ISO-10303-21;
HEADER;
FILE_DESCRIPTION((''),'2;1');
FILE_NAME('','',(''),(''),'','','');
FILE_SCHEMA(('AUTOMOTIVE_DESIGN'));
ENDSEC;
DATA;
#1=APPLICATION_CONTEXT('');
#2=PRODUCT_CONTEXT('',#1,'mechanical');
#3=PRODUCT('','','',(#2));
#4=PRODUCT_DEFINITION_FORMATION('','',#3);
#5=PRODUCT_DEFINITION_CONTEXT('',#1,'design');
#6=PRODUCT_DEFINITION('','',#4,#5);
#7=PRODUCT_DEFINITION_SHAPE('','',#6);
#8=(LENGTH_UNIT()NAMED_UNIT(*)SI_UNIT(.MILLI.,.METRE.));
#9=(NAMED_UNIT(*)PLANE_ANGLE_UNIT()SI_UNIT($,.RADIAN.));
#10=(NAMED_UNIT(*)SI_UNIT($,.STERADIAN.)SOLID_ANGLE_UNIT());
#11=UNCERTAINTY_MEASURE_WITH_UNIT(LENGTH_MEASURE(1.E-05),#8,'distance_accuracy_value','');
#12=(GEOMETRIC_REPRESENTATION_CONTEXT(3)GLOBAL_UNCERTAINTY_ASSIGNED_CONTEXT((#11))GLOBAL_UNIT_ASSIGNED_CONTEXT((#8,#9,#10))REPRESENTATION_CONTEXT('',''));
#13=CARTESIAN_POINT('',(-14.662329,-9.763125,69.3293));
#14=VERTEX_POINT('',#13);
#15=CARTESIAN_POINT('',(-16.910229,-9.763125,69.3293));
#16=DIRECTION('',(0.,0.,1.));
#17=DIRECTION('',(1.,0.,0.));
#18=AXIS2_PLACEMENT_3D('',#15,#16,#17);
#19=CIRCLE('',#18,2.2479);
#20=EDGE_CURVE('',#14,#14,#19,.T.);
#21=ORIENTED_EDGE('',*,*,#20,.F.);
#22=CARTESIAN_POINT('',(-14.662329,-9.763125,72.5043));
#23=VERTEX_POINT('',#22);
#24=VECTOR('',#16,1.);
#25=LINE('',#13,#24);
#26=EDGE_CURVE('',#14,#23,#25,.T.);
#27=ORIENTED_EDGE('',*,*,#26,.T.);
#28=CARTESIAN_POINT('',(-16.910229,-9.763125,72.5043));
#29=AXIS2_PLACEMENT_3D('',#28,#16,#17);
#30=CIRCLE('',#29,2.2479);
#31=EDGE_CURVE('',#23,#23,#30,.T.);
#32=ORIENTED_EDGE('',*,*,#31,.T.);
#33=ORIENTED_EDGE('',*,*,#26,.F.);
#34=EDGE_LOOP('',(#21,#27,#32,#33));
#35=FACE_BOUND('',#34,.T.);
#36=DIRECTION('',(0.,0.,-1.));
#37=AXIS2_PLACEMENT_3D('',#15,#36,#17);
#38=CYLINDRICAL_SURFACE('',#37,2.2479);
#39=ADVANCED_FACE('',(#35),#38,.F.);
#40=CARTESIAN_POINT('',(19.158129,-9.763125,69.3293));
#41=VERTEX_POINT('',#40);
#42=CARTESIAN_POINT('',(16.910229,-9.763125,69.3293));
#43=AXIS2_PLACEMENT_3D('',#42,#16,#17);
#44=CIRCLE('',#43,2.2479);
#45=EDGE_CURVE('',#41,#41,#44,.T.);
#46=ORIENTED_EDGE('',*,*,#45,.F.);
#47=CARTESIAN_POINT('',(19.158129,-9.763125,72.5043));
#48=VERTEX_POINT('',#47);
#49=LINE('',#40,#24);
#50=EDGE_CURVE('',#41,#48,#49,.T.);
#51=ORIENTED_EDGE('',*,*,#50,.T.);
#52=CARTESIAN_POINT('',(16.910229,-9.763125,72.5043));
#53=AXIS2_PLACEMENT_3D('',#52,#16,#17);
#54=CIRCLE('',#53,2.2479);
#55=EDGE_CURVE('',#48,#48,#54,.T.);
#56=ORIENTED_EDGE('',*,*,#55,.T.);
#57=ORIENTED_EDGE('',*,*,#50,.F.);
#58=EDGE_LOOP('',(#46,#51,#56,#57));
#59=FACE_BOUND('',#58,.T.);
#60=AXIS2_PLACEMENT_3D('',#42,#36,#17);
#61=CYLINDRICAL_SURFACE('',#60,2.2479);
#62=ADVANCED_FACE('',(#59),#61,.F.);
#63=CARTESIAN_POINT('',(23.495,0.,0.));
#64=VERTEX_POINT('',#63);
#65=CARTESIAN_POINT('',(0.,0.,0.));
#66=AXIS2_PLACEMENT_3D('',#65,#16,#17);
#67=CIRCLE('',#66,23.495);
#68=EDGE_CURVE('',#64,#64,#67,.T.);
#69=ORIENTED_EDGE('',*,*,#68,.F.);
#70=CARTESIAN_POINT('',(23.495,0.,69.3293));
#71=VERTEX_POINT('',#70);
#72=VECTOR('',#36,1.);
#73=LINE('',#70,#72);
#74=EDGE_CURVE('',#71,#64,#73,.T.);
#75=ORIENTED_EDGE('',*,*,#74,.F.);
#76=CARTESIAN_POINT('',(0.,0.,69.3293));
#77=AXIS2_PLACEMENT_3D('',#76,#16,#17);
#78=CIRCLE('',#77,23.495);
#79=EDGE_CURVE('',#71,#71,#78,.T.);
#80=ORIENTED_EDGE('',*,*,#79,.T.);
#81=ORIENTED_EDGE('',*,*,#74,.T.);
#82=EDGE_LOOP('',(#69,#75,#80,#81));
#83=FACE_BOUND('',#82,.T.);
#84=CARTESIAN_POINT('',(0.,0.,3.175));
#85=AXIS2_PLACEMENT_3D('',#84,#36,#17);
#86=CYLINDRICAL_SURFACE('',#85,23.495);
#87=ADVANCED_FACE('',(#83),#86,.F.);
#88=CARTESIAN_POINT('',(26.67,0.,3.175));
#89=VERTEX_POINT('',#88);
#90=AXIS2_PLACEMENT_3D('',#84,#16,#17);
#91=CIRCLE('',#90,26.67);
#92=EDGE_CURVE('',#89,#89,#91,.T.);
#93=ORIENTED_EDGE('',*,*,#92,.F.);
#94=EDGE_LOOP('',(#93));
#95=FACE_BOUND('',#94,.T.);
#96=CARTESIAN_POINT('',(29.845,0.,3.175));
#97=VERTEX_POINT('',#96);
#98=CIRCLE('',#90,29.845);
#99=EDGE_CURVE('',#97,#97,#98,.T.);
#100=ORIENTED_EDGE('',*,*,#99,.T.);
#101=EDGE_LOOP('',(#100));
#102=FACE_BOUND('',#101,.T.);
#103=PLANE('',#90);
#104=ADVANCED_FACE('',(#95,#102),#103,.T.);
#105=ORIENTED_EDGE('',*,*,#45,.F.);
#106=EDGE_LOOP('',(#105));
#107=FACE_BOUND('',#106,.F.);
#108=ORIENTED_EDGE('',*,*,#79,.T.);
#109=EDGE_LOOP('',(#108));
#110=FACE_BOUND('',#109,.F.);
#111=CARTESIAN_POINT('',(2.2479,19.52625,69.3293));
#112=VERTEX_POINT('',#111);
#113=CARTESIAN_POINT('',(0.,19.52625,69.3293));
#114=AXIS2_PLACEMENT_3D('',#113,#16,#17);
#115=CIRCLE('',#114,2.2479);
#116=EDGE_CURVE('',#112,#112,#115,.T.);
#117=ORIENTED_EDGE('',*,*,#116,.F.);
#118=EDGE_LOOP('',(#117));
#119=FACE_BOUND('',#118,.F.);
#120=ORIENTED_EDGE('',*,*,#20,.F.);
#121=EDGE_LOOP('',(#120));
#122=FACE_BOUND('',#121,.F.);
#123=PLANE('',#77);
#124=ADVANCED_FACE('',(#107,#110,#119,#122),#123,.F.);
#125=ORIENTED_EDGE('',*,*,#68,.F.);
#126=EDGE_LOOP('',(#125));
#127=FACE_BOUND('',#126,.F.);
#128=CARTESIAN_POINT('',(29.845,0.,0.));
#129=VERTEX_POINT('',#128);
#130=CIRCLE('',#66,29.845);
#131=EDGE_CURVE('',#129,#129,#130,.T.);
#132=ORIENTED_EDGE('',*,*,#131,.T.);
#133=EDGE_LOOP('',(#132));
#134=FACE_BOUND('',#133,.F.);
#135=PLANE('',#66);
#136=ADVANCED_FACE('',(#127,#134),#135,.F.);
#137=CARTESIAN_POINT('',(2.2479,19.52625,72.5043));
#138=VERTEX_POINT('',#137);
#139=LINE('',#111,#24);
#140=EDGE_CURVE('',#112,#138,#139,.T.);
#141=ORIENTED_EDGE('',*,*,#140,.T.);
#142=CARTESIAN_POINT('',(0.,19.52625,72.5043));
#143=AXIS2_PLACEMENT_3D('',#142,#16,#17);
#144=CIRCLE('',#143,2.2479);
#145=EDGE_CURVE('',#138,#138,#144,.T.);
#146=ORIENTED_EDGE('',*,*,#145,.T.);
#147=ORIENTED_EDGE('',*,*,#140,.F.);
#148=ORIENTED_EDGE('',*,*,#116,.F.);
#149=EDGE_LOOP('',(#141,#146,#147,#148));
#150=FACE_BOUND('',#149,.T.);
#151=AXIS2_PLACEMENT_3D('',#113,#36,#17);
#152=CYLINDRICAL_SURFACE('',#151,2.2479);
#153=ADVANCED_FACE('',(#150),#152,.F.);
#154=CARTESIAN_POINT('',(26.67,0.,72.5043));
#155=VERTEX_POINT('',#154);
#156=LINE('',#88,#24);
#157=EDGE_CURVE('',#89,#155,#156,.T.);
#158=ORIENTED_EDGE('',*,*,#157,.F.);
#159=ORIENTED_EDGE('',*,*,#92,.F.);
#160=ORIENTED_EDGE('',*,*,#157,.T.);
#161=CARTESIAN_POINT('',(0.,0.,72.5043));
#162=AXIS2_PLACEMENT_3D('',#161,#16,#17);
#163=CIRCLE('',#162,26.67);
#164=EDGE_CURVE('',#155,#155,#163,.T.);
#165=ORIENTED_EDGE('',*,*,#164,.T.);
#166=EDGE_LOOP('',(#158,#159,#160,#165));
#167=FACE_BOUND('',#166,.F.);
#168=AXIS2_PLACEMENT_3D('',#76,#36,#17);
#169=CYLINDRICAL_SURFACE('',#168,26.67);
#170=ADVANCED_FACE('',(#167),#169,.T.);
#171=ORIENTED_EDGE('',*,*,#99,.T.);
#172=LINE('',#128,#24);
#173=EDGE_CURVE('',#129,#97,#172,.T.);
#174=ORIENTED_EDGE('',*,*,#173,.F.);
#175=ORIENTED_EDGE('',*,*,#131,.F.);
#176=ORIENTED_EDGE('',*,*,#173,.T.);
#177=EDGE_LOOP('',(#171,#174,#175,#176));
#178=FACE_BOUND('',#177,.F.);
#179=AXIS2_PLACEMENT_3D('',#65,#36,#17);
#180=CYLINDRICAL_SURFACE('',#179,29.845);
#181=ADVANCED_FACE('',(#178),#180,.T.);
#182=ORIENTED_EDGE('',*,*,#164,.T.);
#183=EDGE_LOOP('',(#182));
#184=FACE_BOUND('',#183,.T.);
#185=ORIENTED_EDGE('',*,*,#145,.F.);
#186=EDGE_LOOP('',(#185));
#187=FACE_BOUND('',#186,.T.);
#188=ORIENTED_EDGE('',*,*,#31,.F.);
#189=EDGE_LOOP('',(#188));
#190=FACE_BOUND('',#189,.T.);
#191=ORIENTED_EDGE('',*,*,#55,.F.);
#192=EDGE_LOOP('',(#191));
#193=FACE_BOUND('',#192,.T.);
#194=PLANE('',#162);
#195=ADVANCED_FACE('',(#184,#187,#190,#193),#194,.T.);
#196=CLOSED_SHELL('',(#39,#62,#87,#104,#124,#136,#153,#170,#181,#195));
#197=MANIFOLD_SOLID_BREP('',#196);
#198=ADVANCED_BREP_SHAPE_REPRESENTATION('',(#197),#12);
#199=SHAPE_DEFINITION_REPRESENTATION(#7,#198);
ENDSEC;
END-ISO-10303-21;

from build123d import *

# Parameters (mm, degrees)
F0_R     = 29.845
F0_R_2   = 23.495
F1_DEPTH = 3.175
F2_R     = 26.67
F2_R_2   = 23.495
F3_DEPTH = 66.1543
F4_R     = 26.67
F4_R_2   = 2.2479
F5_DEPTH = 3.175


with BuildPart() as f1:
    # F0 (on Top) → F1 (new body)
    with BuildSketch(Plane.XY):
        Circle(F0_R)
        Circle(F0_R_2, mode=Mode.SUBTRACT)
    extrude(amount=F1_DEPTH)

    # F2 (on face) → F3 (join)
    with BuildSketch(Plane.XY.offset(3.175)):
        Circle(F2_R)
        Circle(F2_R_2, mode=Mode.SUBTRACT)
    extrude(amount=F3_DEPTH)

    # F4 (on face) → F5 (join)
    with BuildSketch(Plane.XY.offset(69.3293)):
        Circle(F4_R)
        with Locations((-16.910229, -9.763125)):
            Circle(F4_R_2, mode=Mode.SUBTRACT)
        with Locations((16.910229, -9.763125)):
            Circle(F4_R_2, mode=Mode.SUBTRACT)
        with Locations((0, 19.52625)):
            Circle(F4_R_2, mode=Mode.SUBTRACT)
    extrude(amount=F5_DEPTH)


solid = f1.part
